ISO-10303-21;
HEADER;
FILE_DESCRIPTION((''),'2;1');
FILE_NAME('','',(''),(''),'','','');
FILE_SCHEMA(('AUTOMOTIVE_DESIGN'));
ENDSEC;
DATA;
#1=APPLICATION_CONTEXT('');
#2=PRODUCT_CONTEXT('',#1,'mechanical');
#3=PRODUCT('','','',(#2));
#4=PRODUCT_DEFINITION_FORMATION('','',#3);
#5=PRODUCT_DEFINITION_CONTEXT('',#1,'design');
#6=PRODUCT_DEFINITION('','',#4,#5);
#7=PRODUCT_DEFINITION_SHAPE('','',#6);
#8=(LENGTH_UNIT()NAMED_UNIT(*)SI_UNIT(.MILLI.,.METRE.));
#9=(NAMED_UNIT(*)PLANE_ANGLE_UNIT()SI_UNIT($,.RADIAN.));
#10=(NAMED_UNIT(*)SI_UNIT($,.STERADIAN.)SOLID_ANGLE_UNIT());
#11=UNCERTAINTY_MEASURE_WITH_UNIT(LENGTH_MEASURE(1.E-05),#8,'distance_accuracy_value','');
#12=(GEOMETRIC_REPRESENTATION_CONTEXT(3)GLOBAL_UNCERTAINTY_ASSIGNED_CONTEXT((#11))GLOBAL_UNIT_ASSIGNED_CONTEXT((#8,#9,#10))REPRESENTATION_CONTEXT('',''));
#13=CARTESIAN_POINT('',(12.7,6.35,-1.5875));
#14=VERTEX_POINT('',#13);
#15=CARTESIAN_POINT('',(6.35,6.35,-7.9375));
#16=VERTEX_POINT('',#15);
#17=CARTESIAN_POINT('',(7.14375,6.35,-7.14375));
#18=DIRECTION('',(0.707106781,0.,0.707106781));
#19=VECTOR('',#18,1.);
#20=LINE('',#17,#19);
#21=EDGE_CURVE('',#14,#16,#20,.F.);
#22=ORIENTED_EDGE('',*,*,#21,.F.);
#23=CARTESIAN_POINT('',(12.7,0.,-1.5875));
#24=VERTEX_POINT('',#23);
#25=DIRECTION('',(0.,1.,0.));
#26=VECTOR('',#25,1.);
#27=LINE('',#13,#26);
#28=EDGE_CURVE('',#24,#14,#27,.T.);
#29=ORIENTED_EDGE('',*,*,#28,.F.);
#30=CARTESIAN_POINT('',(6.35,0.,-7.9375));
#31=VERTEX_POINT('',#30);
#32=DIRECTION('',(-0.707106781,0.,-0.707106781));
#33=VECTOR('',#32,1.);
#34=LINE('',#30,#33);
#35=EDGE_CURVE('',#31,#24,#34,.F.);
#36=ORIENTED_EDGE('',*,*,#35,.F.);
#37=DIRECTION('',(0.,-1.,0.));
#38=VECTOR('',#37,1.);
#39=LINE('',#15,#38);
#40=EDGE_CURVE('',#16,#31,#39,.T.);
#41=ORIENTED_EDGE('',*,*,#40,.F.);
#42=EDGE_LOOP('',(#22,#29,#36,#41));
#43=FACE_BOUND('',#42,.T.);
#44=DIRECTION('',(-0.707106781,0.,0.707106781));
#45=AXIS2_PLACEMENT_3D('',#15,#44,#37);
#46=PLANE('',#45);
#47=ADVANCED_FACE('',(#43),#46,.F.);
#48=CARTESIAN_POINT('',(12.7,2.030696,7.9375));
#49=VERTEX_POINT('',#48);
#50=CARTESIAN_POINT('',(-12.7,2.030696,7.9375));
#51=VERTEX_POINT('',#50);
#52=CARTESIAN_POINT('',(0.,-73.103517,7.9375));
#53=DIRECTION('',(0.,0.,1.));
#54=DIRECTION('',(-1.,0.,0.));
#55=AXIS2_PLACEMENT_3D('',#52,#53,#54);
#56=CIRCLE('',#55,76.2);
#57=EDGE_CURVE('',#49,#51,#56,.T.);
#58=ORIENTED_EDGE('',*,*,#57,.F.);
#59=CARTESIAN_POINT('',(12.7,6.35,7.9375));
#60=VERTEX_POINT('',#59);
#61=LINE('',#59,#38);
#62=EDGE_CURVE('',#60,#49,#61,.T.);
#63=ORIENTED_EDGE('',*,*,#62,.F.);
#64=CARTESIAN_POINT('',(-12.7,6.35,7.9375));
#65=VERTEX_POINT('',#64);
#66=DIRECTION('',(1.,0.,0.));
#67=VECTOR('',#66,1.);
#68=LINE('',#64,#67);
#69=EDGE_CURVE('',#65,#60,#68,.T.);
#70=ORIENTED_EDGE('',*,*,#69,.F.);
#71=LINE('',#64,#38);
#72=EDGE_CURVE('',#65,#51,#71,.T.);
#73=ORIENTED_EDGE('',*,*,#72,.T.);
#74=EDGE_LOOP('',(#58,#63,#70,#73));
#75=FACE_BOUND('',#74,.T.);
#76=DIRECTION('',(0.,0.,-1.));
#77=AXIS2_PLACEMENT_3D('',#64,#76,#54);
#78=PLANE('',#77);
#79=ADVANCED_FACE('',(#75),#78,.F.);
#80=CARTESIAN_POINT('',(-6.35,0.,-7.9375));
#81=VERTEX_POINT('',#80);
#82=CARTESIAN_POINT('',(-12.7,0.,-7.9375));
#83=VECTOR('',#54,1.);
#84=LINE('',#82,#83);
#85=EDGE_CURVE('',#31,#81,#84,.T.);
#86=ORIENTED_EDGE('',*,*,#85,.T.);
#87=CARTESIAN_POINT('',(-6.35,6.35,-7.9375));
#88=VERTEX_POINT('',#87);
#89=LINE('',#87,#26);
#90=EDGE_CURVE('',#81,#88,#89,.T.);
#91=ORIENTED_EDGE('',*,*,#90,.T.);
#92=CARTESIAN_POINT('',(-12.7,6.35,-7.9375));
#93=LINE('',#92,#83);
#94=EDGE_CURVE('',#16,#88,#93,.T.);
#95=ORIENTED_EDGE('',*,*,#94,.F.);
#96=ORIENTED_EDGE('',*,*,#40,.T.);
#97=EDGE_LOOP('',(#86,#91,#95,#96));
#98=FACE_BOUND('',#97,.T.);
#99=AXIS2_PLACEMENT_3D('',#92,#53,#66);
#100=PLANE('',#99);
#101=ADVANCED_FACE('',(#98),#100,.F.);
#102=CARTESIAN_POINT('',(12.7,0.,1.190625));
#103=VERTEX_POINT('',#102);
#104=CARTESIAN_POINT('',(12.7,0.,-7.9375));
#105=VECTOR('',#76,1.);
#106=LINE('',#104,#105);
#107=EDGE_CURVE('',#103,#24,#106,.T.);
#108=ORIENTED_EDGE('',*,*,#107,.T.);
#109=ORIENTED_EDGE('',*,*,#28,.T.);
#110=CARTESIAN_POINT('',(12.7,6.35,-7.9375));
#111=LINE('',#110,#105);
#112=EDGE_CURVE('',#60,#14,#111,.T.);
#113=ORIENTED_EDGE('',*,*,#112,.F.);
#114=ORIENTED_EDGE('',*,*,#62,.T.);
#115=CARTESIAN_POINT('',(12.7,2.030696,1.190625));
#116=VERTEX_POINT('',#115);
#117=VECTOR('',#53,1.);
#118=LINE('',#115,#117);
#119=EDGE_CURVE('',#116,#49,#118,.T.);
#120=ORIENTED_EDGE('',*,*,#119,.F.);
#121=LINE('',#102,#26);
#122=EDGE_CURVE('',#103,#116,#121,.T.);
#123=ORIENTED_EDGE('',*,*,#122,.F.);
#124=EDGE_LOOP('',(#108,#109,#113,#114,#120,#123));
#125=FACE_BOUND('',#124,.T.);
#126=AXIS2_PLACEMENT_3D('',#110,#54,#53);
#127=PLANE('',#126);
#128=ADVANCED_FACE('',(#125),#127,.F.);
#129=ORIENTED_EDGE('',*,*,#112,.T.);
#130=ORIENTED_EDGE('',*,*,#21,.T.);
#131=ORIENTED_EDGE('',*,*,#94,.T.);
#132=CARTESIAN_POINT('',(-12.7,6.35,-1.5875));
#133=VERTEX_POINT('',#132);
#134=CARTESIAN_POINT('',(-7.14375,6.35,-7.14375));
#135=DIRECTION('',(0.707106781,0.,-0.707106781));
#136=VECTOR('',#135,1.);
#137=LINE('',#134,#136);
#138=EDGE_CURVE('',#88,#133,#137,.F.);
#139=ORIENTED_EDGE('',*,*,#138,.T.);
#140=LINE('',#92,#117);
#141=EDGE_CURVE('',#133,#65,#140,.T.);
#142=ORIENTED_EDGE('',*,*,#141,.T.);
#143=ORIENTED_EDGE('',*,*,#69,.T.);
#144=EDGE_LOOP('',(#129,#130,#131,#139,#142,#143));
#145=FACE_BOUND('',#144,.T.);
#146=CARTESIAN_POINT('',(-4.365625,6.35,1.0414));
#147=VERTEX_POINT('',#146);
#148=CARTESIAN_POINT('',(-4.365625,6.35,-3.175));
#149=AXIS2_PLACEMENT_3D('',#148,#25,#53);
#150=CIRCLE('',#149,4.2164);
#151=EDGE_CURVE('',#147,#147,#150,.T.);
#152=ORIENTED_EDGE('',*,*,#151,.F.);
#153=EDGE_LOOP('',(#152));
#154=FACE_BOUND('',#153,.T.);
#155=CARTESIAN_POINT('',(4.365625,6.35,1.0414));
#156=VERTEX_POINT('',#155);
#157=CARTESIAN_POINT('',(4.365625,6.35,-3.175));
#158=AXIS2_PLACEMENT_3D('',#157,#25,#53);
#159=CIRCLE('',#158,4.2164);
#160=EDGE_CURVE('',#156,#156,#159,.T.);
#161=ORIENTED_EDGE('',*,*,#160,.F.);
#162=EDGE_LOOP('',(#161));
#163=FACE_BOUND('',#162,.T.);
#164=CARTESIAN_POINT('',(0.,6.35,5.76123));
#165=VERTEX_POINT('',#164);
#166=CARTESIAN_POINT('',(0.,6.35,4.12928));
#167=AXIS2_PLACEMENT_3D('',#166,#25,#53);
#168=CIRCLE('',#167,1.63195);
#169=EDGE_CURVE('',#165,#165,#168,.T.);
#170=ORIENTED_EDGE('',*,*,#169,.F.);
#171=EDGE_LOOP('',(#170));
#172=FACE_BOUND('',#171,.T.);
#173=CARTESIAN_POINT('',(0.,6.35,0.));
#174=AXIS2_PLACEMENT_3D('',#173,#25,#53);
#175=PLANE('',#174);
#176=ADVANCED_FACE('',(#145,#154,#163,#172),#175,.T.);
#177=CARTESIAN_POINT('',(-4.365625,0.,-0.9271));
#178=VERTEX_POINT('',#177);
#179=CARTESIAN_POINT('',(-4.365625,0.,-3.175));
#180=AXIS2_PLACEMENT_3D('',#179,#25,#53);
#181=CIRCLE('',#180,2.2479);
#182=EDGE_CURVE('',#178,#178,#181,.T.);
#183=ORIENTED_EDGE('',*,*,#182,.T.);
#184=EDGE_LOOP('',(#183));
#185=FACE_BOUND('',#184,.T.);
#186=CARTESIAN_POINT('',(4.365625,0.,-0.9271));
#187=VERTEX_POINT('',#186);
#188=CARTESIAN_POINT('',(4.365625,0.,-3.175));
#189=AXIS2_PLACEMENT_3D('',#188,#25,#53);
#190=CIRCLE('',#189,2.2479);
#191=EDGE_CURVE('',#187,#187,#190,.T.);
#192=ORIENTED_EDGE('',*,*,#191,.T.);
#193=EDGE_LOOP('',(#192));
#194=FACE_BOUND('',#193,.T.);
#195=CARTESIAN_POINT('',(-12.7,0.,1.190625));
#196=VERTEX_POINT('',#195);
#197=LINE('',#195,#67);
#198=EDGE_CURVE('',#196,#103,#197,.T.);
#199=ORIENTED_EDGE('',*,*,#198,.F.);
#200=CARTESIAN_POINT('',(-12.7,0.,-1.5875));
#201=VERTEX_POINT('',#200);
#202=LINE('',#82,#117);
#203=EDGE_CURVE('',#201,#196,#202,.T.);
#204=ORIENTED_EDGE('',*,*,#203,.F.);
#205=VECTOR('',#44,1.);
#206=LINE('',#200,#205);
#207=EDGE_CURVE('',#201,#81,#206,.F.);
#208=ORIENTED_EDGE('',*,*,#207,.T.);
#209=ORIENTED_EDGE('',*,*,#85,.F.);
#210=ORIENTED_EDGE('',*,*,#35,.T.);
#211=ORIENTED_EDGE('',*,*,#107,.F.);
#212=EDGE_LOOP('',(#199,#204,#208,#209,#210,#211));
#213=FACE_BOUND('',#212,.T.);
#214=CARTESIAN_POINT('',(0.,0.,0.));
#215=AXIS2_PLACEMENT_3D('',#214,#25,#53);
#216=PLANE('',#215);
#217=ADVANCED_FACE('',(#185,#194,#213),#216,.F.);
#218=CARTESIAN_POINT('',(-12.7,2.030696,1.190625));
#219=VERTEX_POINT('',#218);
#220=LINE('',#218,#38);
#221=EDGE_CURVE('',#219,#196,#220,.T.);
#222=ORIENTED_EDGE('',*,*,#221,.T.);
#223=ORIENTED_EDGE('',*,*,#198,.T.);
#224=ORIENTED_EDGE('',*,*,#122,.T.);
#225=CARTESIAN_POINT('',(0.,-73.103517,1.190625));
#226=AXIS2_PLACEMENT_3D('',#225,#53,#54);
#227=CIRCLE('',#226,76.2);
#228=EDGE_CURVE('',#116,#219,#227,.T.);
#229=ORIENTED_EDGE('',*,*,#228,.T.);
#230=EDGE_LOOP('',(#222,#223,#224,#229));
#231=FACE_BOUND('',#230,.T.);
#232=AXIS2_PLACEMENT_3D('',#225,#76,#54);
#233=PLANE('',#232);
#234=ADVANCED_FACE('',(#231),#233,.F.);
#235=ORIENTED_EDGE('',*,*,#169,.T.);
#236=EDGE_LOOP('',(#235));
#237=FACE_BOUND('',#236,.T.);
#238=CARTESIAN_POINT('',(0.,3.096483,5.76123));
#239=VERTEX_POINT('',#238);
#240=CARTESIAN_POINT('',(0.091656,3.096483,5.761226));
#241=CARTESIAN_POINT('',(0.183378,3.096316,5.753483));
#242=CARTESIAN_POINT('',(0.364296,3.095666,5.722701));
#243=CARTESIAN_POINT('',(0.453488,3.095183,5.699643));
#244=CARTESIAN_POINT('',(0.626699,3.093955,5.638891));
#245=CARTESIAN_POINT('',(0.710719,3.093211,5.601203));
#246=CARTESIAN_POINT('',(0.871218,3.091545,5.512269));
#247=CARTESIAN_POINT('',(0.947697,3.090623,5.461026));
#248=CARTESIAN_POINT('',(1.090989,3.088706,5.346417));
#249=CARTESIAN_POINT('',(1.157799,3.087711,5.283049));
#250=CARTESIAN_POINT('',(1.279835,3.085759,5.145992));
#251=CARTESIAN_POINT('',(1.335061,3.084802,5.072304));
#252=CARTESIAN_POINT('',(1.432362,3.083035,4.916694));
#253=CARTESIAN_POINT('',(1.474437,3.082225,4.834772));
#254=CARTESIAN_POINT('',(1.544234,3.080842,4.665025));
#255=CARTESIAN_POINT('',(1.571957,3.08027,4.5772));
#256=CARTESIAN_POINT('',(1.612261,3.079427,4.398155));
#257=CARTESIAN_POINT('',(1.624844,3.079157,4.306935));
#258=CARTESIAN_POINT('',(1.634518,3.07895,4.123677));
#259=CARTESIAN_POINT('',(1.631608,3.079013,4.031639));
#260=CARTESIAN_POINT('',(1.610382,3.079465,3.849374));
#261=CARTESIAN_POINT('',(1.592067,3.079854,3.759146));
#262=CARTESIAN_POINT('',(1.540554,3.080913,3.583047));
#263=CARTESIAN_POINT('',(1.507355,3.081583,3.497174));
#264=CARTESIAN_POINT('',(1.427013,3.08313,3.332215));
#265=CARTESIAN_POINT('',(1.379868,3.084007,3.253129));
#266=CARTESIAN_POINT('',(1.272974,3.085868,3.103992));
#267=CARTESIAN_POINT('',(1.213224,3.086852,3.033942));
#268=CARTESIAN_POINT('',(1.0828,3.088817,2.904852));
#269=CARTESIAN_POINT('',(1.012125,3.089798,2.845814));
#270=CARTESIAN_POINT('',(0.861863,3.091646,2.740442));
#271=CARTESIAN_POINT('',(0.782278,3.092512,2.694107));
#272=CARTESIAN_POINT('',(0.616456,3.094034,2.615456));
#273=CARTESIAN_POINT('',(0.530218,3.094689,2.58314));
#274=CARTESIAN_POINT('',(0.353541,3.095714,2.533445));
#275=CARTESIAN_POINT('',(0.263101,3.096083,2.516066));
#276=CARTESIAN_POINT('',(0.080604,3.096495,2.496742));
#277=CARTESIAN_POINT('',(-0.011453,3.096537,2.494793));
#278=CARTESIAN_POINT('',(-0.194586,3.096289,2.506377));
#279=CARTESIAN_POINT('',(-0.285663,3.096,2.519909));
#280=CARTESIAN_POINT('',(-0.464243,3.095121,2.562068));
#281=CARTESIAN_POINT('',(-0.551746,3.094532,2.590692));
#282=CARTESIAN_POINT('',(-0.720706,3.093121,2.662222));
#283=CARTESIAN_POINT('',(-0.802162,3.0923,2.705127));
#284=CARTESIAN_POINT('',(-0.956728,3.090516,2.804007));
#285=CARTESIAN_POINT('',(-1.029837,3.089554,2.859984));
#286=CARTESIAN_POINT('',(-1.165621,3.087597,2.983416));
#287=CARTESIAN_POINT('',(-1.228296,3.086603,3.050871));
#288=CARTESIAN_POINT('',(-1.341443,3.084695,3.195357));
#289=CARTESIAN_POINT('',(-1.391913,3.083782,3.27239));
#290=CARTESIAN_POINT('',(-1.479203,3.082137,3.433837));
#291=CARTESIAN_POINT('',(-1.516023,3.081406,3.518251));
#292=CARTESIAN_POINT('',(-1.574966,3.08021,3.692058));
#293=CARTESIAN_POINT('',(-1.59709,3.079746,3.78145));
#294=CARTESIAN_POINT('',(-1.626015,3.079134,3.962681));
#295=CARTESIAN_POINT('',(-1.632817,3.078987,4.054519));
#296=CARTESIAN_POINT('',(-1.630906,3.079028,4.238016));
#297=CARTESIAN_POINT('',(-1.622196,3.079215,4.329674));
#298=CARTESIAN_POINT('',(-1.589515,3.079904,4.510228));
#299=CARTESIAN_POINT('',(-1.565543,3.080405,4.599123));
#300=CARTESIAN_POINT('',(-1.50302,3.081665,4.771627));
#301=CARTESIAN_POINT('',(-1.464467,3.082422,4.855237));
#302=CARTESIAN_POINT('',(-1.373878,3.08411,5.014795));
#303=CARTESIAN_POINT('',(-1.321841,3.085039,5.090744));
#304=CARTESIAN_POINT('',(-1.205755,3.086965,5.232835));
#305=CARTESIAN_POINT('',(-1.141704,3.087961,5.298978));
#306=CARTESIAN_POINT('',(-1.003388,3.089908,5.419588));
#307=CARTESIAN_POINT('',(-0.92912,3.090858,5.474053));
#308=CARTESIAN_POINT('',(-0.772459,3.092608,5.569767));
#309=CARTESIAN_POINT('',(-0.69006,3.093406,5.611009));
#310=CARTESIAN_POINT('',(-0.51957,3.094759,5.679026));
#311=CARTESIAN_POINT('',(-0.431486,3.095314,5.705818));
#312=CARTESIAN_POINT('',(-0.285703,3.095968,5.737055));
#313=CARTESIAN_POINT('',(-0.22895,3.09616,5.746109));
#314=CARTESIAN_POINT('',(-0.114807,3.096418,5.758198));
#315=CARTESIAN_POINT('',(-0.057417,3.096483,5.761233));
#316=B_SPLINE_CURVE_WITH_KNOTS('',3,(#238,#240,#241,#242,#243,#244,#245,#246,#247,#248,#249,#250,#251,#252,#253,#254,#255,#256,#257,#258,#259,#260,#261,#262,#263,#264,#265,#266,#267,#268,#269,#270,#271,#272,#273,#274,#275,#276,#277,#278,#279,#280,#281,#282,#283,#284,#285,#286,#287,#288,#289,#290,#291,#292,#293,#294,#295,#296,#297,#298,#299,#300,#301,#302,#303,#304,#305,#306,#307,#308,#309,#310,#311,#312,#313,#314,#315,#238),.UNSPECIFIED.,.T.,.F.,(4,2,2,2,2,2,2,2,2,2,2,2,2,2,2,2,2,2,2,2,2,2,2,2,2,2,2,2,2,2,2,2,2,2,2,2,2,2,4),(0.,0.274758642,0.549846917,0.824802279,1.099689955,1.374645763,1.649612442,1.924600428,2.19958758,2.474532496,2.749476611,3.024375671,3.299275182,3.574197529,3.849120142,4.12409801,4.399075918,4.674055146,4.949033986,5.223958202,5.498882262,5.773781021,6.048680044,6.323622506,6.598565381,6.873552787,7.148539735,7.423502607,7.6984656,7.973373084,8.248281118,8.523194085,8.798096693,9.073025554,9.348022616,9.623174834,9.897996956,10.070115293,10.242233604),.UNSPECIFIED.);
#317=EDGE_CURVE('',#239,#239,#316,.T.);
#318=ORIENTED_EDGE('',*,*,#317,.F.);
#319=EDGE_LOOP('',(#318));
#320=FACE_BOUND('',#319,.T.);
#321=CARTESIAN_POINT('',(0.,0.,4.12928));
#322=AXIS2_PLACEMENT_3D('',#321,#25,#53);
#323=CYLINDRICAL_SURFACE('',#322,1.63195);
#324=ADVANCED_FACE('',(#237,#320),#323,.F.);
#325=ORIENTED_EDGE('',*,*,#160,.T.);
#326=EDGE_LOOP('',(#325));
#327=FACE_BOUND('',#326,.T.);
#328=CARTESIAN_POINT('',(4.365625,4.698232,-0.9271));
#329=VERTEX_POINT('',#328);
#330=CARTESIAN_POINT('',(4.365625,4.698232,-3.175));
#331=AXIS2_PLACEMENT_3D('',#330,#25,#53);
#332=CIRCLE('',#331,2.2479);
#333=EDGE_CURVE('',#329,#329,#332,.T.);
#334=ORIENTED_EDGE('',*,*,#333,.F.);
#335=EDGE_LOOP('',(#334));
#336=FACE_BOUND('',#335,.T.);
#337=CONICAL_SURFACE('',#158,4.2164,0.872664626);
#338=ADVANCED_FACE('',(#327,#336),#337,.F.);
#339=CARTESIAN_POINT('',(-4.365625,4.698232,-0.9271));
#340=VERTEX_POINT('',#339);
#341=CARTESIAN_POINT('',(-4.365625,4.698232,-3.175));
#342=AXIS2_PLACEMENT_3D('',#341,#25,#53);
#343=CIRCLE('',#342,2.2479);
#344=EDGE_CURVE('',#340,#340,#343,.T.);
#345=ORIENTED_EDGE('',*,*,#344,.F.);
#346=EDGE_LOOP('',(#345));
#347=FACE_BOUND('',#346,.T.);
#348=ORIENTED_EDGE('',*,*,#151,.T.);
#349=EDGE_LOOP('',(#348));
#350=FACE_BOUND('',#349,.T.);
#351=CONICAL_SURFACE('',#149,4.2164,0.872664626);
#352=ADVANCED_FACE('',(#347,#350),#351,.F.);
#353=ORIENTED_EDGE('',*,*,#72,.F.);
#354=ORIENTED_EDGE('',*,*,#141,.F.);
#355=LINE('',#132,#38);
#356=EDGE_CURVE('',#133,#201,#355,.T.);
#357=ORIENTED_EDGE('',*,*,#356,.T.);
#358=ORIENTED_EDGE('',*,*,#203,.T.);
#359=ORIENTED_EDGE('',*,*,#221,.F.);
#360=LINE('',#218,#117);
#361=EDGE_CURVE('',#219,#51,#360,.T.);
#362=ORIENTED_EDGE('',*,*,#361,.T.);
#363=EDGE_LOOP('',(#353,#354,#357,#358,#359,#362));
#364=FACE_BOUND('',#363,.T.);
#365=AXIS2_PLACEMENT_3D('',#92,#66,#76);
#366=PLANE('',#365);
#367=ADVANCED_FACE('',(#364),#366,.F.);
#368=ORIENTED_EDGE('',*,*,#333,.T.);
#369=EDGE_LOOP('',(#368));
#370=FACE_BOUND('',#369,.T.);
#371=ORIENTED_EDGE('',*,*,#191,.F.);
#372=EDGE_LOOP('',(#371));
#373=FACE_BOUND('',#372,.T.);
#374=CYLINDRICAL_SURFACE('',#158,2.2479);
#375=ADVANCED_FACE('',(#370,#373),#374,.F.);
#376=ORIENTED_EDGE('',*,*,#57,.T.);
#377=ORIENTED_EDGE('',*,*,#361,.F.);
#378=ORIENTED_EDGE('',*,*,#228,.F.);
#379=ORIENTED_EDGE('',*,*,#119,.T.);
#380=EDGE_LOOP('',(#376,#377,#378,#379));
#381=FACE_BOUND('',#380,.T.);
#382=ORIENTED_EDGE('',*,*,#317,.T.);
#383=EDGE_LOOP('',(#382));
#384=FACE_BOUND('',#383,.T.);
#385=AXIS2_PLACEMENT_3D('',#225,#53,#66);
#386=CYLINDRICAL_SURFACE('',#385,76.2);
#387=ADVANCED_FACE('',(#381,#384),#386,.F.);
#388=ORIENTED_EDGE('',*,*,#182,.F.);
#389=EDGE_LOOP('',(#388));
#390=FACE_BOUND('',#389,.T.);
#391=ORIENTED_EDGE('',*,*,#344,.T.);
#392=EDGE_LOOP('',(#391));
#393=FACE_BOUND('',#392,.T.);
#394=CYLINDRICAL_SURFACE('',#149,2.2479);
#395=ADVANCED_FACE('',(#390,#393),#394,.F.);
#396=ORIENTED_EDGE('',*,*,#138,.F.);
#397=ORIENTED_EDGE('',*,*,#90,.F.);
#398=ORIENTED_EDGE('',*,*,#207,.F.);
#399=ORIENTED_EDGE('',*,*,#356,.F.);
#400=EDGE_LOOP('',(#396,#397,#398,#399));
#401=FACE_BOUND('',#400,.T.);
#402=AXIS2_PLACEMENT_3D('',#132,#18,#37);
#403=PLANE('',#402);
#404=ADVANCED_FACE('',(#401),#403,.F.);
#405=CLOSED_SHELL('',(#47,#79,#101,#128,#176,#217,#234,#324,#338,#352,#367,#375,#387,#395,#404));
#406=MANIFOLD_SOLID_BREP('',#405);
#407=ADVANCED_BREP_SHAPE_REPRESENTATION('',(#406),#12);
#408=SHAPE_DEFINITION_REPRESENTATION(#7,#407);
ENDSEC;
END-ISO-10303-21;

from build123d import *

# Parameters (mm, degrees)
SKETCH1_W                                         = 25.4
SKETCH1_H                                         = 15.875
BOSS_EXTRUDE1_DEPTH                               = 6.35
CHAMFER1_SIZE                                     = 6.35
CUT_EXTRUDE1_DEPTH                                = 6.746875
SKETCH3_R                                         = 1.63195
CUT_EXTRUDE2_DEPTH                                = 17.267034341
CSK_FOR_8_FLAT_HEAD_MACHINE_SCREW_100_D           = 4.4958
CSK_FOR_8_FLAT_HEAD_MACHINE_SCREW_100_CSINK_D     = 8.4328
CSK_FOR_8_FLAT_HEAD_MACHINE_SCREW_100_CSINK_ANGLE = 100


with BuildPart() as part:
    # Sketch1 → Boss-Extrude1 (new body)
    with BuildSketch(Plane(origin=(0, 0, 0), x_dir=(1, 0, 0), z_dir=(0, 1, 0))):
        Rectangle(SKETCH1_W, SKETCH1_H)
    extrude(amount=BOSS_EXTRUDE1_DEPTH)

    # Chamfer1
    chamfer1_edges = [part.edges().sort_by_distance(p)[0] for p in [
        (-12.7, 3.175, -7.9375),
        (12.7, 3.175, -7.9375),
    ]]
    chamfer(chamfer1_edges, length=CHAMFER1_SIZE)

    # Sketch2 → Cut-Extrude1 (cut)
    with BuildSketch(Plane.XY.offset(7.9375)):
        with BuildLine():
            Line((-12.7, 2.030696103), (-12.7, 0))
            Line((-12.7, 0), (12.7, 0))
            Line((12.7, 0), (12.7, 2.030696103))
            ThreePointArc((12.7, 2.030696103), (0, 3.096482857), (-12.7, 2.030696103))
        make_face()
    extrude(amount=-CUT_EXTRUDE1_DEPTH, mode=Mode.SUBTRACT)

    # Sketch3 → Cut-Extrude2 (cut, through all)
    with BuildSketch(Plane(origin=(0, 6.35, 0), x_dir=(1, 0, 0), z_dir=(0, 1, 0))):
        with Locations(Location((0, -4.129280278, 0), (0, 0, 270))):
            Circle(SKETCH3_R)
    extrude(amount=-CUT_EXTRUDE2_DEPTH, mode=Mode.SUBTRACT)

    # CSK for #8 Flat Head Machine Screw (100)1 (through all)
    with Locations(Plane(origin=(0, 6.35, 0), x_dir=(1, 0, 0), z_dir=(0, 1, 0))):
        with Locations((-4.365625, 3.175), (4.365625, 3.175)):
            CounterSinkHole(CSK_FOR_8_FLAT_HEAD_MACHINE_SCREW_100_D / 2, CSK_FOR_8_FLAT_HEAD_MACHINE_SCREW_100_CSINK_D / 2, counter_sink_angle=CSK_FOR_8_FLAT_HEAD_MACHINE_SCREW_100_CSINK_ANGLE)


solid = part.part
